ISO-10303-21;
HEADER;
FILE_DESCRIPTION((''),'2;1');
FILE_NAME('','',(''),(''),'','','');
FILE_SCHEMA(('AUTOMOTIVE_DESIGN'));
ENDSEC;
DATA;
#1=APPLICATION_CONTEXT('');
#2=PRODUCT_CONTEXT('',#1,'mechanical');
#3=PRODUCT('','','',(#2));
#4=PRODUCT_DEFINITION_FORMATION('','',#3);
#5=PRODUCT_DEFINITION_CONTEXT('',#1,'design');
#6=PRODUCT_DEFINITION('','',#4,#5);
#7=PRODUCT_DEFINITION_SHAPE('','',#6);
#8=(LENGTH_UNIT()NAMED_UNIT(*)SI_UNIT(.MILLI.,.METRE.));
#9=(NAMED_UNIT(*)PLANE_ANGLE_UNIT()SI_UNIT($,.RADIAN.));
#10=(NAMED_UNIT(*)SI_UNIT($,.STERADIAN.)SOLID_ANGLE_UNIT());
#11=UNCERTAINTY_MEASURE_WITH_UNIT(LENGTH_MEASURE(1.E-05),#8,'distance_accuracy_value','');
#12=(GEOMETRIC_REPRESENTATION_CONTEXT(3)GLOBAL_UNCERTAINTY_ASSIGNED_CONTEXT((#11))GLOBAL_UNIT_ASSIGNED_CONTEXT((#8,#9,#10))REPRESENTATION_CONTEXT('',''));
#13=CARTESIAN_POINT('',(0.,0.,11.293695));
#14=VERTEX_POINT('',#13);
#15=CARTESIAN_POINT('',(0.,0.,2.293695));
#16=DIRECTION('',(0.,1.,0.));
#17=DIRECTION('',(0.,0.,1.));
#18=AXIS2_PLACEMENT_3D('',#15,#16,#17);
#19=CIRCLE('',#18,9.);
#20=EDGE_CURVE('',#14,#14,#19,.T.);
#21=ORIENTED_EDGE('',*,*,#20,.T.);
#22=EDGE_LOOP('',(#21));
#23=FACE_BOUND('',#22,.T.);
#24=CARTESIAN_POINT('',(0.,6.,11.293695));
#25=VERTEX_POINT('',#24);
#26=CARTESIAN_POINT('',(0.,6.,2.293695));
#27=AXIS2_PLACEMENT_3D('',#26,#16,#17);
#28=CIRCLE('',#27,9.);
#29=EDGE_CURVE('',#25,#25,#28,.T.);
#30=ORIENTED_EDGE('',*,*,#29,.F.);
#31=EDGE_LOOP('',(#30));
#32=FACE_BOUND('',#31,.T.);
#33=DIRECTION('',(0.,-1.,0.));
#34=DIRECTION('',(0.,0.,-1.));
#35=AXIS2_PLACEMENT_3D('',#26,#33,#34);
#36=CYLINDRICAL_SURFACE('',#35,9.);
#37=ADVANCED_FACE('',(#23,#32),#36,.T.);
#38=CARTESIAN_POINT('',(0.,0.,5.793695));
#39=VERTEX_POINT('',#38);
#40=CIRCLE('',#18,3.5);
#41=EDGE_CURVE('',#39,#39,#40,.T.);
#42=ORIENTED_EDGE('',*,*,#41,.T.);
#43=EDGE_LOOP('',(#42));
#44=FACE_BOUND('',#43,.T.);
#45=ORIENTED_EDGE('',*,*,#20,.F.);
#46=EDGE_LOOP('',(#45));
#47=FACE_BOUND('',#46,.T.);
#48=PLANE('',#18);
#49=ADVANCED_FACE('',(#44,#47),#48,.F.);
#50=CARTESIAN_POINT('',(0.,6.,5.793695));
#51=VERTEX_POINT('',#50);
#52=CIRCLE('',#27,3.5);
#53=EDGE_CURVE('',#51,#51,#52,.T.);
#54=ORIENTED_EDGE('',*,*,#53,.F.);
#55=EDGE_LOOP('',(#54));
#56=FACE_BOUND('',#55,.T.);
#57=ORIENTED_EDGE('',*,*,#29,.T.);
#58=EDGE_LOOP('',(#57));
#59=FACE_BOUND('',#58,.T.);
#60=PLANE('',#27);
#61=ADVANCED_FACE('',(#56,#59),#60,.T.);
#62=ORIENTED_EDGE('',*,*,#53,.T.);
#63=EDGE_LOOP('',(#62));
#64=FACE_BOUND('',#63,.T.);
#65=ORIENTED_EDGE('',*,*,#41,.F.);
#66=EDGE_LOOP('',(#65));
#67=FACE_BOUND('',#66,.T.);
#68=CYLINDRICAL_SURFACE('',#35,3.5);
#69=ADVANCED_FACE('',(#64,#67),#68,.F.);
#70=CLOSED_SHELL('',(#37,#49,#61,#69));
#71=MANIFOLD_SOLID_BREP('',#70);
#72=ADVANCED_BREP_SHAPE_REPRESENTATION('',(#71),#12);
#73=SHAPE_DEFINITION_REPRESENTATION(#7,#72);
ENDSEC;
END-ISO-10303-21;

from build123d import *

# Parameters (mm, degrees)
SKETCH_1_R      = 9
SKETCH_1_R_2    = 3.5
EXTRUDE_1_DEPTH = 6


with BuildPart() as part:
    # Эскиз1 → Вытянуть1 (new body)
    with BuildSketch(Plane(origin=(0, 0, 0), x_dir=(1, 0, 0), z_dir=(0, 1, 0))):
        with Locations(Location((0, -2.293695016, 0), (0, 0, 270))):
            Circle(SKETCH_1_R)
        with Locations(Location((0, -2.293695016, 0), (0, 0, 270))):
            Circle(SKETCH_1_R_2, mode=Mode.SUBTRACT)
    extrude(amount=EXTRUDE_1_DEPTH)


solid = part.part
